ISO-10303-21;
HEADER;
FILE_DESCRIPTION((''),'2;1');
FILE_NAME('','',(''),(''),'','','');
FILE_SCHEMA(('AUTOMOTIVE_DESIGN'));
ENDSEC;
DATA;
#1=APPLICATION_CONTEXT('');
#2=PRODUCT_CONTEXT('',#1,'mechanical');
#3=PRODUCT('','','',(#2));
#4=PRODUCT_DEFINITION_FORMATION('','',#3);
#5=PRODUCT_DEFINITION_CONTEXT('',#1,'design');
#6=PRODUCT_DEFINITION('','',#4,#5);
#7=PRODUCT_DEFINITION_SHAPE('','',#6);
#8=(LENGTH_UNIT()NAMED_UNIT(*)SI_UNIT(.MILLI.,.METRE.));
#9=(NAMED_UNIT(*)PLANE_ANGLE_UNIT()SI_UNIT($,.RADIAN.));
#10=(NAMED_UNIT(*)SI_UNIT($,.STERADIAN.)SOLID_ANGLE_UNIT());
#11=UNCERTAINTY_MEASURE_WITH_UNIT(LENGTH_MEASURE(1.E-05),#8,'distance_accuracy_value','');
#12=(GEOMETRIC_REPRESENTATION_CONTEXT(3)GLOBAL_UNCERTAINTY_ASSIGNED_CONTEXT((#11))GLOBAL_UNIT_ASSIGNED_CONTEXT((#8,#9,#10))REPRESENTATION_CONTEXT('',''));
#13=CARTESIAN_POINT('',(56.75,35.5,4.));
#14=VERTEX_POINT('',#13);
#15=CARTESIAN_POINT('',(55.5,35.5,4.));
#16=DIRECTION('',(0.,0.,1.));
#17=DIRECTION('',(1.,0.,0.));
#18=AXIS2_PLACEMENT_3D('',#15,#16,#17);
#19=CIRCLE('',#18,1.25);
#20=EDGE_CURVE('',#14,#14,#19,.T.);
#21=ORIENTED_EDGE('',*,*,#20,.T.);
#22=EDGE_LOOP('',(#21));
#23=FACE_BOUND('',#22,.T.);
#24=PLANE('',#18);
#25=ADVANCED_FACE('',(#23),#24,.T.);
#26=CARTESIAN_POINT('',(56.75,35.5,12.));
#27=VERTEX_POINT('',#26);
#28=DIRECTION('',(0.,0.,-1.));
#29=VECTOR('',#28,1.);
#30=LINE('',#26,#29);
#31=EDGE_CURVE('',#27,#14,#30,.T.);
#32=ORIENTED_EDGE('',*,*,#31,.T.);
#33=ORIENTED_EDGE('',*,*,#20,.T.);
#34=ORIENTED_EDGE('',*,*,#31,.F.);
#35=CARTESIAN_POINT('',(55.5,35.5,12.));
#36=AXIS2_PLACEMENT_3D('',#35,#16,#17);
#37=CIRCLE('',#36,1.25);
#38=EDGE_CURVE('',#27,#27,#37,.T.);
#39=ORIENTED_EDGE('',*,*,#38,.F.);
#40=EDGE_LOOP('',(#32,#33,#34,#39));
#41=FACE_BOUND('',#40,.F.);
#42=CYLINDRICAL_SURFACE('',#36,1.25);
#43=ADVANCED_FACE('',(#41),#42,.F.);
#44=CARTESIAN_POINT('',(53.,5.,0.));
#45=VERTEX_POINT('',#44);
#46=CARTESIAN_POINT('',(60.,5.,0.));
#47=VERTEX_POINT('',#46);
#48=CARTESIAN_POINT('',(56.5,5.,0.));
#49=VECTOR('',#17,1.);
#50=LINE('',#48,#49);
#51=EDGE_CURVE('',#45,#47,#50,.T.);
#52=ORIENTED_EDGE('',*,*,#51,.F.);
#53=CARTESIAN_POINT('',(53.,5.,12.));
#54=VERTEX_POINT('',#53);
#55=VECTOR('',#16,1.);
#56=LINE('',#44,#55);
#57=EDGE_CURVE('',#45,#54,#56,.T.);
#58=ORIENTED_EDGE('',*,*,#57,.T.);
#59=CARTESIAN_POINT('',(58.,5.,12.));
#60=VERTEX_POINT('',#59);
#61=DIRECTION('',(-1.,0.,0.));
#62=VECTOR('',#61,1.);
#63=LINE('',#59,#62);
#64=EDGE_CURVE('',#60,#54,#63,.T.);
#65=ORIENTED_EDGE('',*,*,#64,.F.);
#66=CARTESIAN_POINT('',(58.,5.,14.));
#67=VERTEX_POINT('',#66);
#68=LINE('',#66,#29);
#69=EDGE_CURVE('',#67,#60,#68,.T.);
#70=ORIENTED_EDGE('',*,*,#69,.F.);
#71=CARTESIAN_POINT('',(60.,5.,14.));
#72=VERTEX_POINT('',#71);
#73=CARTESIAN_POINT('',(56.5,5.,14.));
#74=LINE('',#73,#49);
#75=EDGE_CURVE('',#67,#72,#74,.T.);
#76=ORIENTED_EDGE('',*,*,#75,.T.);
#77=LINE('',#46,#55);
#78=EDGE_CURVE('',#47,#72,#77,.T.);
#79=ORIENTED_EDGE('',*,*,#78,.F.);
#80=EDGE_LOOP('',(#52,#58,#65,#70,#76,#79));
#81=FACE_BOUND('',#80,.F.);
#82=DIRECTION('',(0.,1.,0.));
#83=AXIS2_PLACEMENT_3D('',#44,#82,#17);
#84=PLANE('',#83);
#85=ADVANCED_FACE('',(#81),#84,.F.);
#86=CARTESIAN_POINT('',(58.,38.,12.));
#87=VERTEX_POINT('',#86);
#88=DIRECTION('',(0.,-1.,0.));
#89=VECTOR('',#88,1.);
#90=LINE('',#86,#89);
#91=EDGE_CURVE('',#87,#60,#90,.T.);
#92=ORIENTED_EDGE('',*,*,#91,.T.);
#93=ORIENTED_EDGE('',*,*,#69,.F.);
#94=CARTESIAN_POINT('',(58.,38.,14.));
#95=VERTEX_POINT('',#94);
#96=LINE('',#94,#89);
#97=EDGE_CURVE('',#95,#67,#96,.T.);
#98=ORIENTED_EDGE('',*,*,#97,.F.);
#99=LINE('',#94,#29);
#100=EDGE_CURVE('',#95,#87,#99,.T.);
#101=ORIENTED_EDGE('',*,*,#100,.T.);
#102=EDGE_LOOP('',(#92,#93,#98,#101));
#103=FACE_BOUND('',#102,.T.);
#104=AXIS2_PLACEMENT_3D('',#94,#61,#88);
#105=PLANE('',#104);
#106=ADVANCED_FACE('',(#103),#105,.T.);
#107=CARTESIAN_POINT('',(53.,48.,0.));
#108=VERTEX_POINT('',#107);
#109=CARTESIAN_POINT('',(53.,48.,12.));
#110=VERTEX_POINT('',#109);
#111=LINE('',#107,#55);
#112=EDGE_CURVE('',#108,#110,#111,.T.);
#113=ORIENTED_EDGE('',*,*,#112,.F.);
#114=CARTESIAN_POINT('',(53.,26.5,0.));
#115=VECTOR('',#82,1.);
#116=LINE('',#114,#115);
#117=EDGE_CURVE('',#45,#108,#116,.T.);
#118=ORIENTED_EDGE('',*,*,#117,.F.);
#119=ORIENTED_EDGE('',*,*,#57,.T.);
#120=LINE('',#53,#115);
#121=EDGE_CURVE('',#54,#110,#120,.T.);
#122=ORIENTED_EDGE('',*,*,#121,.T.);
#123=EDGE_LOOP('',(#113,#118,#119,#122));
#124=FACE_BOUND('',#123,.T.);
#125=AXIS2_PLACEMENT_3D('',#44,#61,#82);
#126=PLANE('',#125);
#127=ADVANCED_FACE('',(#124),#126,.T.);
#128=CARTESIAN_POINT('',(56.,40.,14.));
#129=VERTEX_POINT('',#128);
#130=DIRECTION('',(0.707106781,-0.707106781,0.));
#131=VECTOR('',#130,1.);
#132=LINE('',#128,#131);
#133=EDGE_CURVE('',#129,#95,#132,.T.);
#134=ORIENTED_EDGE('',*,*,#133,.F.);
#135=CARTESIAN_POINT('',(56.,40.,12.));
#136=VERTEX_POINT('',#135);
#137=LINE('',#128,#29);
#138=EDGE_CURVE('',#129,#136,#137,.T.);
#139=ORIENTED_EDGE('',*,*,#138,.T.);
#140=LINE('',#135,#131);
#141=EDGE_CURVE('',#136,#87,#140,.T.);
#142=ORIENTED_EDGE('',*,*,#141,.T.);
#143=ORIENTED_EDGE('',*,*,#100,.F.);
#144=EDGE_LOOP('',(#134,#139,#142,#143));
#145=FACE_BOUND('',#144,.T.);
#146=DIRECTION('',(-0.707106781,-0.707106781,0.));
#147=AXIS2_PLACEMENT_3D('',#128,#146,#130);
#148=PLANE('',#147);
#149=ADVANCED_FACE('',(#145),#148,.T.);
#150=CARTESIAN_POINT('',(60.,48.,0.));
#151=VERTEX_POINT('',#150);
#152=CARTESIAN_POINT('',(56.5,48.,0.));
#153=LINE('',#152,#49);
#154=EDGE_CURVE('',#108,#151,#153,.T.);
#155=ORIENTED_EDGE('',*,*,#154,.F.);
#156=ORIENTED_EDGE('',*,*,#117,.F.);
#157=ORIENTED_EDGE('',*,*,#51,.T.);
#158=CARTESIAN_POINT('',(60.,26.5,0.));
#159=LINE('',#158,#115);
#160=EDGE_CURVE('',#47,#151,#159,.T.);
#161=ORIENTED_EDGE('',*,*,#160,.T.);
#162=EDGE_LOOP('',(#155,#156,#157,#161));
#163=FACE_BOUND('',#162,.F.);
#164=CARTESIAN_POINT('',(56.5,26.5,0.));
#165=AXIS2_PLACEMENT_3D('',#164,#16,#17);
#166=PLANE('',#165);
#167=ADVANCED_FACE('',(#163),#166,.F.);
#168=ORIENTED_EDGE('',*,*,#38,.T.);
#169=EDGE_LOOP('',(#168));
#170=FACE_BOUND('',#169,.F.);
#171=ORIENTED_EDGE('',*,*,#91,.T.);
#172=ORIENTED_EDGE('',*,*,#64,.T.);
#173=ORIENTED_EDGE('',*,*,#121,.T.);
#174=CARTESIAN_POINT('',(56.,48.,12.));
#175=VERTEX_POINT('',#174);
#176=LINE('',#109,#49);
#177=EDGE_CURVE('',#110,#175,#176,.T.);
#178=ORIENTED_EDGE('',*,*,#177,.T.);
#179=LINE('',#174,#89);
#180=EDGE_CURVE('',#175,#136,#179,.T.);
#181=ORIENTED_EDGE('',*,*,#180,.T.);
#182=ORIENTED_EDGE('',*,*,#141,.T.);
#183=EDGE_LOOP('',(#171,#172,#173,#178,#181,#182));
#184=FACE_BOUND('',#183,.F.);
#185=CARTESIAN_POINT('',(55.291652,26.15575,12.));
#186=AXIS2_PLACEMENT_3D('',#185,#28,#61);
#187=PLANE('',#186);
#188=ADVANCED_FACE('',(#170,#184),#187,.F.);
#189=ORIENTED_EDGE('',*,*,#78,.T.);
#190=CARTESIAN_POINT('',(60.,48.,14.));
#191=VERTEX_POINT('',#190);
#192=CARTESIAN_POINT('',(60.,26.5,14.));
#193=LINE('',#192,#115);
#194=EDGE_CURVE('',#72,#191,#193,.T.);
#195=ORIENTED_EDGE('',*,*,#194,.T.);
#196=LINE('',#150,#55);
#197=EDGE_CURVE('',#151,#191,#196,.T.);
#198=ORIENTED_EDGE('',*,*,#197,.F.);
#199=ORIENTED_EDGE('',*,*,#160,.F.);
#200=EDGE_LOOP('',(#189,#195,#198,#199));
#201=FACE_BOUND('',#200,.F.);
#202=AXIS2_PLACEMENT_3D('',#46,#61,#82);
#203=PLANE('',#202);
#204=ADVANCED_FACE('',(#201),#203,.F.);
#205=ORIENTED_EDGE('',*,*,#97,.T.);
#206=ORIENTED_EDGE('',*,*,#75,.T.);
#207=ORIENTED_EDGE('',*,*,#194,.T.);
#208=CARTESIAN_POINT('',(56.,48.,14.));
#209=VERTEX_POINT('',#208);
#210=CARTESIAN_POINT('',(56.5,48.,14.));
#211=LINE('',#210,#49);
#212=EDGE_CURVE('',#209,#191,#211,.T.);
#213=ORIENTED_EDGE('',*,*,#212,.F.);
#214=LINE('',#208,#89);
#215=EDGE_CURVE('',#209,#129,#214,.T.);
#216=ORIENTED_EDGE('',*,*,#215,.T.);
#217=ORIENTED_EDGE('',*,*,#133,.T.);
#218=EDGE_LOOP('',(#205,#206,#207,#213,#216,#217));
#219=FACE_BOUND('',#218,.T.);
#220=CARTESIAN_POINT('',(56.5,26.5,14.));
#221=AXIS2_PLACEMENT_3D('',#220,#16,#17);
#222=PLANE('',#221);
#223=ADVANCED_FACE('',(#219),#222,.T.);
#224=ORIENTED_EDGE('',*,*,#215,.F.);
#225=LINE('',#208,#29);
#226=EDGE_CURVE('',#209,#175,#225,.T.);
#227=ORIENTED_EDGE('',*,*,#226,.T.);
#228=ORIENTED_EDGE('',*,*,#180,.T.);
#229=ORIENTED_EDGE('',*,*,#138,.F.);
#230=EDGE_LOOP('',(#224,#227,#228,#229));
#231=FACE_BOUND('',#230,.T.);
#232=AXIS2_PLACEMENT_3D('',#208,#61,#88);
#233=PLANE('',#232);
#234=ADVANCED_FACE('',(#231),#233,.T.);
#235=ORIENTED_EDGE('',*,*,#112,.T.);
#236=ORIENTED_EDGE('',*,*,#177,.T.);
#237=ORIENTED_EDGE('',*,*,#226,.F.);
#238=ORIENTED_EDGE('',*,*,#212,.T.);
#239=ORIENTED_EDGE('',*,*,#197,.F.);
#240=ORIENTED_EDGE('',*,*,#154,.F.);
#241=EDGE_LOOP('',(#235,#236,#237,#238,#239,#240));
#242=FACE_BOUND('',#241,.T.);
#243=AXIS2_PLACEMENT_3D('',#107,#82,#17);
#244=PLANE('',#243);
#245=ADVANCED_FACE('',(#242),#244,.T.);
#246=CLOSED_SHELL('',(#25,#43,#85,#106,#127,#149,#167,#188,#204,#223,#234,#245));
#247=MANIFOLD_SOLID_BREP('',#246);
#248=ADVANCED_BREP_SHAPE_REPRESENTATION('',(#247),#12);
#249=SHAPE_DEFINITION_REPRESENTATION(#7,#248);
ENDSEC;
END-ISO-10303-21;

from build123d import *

# Parameters (mm, degrees)
SKETCH003_W     = 7
SKETCH003_H     = 43
PAD001_DEPTH    = 14
POCKET002_DEPTH = 2
SKETCH005_R     = 1.25
POCKET003_DEPTH = 8


with BuildPart() as part:
    # Sketch003 → Pad001 (new body)
    with BuildSketch(Plane.XY):
        with Locations((56.5, 26.5)):
            Rectangle(SKETCH003_W, SKETCH003_H)
    extrude(amount=PAD001_DEPTH)

    # Sketch004 → Pocket002 (cut)
    with BuildSketch(Plane.XY.offset(14)):
        Polygon((56, 48), (56, 40), (58, 38), (58, 5), (53, 5), (53, 48), align=None)
    extrude(amount=-POCKET002_DEPTH, mode=Mode.SUBTRACT)

    # Sketch005 → Pocket003 (cut)
    with BuildSketch(Plane.XY.offset(12)):
        with Locations((55.5, 35.5)):
            Circle(SKETCH005_R)
    extrude(amount=-POCKET003_DEPTH, mode=Mode.SUBTRACT)


solid = part.part
